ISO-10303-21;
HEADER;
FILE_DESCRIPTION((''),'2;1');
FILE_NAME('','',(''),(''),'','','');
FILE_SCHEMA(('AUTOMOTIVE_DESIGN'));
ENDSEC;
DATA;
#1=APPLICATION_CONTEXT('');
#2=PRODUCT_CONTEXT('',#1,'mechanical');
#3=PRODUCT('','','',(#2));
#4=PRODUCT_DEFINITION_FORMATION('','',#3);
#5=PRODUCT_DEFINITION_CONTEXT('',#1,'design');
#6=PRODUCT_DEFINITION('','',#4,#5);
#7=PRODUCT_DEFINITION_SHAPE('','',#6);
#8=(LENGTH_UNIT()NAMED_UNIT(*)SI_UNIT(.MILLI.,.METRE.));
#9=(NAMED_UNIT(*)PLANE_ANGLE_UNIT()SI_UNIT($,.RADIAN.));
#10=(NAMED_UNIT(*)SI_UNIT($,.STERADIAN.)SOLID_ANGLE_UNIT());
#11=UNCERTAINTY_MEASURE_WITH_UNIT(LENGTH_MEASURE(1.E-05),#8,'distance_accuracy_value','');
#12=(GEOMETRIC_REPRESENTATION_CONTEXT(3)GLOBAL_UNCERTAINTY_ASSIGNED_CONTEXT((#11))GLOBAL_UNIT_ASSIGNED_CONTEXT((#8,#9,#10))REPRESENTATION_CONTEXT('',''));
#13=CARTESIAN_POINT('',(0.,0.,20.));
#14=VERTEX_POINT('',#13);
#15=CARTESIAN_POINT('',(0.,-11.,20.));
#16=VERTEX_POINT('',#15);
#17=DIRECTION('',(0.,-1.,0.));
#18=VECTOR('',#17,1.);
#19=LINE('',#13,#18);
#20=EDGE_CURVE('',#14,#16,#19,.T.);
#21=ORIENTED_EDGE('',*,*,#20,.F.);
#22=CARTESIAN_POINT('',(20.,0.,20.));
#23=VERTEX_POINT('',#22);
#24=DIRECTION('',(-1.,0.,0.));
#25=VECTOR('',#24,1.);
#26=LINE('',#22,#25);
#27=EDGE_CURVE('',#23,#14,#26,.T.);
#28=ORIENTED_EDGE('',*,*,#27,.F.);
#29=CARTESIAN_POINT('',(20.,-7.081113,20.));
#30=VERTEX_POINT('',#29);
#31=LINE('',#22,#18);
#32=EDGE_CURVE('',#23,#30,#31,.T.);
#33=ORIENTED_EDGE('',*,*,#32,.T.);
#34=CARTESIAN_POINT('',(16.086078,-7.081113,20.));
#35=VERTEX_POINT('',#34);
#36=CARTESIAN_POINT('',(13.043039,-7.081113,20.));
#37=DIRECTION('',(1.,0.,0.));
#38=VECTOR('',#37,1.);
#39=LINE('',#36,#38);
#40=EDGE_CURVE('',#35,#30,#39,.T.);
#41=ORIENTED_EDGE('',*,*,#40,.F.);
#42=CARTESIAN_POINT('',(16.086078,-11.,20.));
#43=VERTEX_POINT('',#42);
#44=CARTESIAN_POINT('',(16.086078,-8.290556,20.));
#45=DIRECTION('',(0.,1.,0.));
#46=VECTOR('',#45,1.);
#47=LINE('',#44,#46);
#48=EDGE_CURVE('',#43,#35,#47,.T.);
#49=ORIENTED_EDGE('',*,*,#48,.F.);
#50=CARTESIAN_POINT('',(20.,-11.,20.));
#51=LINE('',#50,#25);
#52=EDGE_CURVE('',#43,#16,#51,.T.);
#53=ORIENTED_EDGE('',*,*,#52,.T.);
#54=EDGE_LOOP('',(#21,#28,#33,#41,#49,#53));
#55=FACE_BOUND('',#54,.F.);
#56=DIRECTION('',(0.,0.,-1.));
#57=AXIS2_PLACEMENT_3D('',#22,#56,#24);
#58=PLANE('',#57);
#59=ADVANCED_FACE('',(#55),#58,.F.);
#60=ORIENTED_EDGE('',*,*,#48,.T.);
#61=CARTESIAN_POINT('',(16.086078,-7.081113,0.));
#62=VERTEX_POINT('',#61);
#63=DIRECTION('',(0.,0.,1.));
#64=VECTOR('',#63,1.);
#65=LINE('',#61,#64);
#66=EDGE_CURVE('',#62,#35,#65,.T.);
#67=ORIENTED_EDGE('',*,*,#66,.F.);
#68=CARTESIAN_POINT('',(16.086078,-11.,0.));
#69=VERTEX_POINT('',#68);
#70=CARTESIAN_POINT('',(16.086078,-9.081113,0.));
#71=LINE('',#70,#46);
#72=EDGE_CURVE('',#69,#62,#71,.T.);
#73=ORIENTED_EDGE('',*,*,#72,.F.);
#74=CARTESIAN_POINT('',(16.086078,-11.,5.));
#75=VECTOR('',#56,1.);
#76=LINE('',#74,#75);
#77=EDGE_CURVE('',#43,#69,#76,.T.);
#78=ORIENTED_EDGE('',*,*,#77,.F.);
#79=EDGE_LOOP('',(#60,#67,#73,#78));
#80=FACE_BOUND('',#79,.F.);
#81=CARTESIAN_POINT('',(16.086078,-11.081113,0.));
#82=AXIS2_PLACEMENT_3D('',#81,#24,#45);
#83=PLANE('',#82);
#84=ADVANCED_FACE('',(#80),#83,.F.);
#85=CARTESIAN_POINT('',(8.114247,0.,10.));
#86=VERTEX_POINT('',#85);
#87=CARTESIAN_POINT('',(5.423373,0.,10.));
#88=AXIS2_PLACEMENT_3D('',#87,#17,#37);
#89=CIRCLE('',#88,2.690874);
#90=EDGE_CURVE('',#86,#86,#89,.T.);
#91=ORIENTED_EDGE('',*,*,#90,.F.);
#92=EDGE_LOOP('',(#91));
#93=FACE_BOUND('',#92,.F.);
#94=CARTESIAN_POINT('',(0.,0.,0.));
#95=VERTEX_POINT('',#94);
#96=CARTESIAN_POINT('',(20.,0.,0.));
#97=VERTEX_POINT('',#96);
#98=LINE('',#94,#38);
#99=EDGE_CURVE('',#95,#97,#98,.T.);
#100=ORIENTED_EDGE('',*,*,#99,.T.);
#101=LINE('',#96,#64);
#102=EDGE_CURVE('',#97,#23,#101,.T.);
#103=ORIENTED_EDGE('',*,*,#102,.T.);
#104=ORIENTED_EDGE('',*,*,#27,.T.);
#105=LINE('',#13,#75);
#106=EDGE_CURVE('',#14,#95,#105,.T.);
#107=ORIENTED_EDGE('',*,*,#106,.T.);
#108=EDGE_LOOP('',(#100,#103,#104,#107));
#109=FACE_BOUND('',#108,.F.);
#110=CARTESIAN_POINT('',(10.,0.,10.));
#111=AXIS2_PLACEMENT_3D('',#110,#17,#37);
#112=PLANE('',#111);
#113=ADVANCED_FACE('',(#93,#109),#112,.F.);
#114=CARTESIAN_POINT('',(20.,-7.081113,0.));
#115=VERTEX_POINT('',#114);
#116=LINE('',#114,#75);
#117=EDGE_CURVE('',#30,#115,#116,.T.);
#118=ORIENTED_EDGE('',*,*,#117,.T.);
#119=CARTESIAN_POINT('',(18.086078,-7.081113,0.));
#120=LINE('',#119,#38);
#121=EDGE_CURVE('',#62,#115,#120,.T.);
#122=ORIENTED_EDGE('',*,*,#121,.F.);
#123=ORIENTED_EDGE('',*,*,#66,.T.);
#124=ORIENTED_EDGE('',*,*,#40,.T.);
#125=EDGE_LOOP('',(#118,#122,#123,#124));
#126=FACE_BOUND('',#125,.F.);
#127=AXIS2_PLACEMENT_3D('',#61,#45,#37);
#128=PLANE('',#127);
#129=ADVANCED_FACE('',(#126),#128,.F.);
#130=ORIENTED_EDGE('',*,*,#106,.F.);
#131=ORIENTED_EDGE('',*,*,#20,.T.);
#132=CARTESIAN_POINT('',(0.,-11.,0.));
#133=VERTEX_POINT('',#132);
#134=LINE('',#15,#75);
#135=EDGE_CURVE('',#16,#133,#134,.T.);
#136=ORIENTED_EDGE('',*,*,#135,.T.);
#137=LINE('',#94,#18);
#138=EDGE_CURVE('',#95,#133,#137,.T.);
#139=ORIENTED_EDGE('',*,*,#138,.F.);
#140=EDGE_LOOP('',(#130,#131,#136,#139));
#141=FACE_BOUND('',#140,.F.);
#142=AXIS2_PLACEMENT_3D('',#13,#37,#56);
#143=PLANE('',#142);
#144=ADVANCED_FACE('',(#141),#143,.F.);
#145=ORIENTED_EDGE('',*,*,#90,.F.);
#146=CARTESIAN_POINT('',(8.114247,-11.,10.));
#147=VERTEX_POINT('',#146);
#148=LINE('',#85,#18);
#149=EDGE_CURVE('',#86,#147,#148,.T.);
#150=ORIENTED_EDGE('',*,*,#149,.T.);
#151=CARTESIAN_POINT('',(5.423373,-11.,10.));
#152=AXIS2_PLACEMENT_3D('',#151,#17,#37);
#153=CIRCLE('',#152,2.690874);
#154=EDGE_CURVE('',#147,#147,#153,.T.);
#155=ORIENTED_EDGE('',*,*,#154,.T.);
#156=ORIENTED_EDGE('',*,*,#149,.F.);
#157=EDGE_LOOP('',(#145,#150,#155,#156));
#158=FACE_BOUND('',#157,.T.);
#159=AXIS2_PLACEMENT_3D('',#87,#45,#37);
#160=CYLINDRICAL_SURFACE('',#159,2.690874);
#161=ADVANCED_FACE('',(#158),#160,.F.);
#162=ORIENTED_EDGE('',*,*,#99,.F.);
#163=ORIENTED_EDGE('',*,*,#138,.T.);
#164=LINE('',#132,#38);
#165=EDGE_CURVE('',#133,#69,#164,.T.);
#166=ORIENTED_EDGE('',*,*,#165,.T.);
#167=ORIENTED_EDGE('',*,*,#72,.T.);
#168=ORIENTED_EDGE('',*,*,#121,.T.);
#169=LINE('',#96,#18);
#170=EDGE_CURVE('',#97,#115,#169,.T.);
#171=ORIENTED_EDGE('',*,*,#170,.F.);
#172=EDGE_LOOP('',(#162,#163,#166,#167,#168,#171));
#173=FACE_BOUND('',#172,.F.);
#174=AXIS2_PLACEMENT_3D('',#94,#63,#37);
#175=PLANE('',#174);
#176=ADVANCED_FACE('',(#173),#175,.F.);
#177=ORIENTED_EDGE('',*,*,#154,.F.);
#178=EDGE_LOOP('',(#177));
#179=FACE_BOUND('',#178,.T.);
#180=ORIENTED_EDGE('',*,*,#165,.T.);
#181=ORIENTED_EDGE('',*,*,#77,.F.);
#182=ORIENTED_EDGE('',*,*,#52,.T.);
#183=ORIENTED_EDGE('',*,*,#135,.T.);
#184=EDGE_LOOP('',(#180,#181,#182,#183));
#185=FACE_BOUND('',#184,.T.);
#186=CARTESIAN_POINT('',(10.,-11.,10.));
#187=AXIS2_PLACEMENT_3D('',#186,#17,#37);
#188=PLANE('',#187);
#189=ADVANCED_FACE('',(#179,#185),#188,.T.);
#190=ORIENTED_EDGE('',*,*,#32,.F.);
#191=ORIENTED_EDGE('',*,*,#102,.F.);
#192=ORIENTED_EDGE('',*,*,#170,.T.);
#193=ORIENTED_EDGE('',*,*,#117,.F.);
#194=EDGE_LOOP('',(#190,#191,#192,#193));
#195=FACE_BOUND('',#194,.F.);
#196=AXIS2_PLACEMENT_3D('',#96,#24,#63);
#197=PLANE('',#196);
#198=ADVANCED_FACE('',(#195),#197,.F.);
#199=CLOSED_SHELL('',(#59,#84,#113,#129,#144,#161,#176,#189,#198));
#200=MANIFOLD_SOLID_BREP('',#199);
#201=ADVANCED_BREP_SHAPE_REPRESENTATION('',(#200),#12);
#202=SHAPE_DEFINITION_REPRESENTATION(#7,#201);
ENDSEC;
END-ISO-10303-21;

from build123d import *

# Parameters (mm, degrees)
F0_R      = 2.690874
F1_DEPTH  = 11
F2_W      = 4
F2_H      = 4
F1_FACE_W = 20
F1_FACE_H = 11
F3_DEPTH  = 25


with BuildPart() as f1:
    # F0 (on Front) → F1 (new body)
    with BuildSketch(Plane.XZ):
        Polygon((0, 10), (0, 0), (20, 0), (20, 20), (0, 20), align=None)
        with Locations((5.423373, 10)):
            Circle(F0_R, mode=Mode.SUBTRACT)
    extrude(amount=F1_DEPTH)

    # F2 (on Top) + F1_face (on face) → F3 (cut)
    with BuildSketch(Plane.XY):
        with Locations((18.086078, -9.081113)):
            Rectangle(F2_W, F2_H)
    with BuildSketch(Plane(origin=(10, -5.5, 20), x_dir=(1, 0, 0), z_dir=(0, 0, 1))):
        Rectangle(F1_FACE_W, F1_FACE_H)
    extrude(amount=F3_DEPTH, mode=Mode.SUBTRACT)


solid = f1.part
